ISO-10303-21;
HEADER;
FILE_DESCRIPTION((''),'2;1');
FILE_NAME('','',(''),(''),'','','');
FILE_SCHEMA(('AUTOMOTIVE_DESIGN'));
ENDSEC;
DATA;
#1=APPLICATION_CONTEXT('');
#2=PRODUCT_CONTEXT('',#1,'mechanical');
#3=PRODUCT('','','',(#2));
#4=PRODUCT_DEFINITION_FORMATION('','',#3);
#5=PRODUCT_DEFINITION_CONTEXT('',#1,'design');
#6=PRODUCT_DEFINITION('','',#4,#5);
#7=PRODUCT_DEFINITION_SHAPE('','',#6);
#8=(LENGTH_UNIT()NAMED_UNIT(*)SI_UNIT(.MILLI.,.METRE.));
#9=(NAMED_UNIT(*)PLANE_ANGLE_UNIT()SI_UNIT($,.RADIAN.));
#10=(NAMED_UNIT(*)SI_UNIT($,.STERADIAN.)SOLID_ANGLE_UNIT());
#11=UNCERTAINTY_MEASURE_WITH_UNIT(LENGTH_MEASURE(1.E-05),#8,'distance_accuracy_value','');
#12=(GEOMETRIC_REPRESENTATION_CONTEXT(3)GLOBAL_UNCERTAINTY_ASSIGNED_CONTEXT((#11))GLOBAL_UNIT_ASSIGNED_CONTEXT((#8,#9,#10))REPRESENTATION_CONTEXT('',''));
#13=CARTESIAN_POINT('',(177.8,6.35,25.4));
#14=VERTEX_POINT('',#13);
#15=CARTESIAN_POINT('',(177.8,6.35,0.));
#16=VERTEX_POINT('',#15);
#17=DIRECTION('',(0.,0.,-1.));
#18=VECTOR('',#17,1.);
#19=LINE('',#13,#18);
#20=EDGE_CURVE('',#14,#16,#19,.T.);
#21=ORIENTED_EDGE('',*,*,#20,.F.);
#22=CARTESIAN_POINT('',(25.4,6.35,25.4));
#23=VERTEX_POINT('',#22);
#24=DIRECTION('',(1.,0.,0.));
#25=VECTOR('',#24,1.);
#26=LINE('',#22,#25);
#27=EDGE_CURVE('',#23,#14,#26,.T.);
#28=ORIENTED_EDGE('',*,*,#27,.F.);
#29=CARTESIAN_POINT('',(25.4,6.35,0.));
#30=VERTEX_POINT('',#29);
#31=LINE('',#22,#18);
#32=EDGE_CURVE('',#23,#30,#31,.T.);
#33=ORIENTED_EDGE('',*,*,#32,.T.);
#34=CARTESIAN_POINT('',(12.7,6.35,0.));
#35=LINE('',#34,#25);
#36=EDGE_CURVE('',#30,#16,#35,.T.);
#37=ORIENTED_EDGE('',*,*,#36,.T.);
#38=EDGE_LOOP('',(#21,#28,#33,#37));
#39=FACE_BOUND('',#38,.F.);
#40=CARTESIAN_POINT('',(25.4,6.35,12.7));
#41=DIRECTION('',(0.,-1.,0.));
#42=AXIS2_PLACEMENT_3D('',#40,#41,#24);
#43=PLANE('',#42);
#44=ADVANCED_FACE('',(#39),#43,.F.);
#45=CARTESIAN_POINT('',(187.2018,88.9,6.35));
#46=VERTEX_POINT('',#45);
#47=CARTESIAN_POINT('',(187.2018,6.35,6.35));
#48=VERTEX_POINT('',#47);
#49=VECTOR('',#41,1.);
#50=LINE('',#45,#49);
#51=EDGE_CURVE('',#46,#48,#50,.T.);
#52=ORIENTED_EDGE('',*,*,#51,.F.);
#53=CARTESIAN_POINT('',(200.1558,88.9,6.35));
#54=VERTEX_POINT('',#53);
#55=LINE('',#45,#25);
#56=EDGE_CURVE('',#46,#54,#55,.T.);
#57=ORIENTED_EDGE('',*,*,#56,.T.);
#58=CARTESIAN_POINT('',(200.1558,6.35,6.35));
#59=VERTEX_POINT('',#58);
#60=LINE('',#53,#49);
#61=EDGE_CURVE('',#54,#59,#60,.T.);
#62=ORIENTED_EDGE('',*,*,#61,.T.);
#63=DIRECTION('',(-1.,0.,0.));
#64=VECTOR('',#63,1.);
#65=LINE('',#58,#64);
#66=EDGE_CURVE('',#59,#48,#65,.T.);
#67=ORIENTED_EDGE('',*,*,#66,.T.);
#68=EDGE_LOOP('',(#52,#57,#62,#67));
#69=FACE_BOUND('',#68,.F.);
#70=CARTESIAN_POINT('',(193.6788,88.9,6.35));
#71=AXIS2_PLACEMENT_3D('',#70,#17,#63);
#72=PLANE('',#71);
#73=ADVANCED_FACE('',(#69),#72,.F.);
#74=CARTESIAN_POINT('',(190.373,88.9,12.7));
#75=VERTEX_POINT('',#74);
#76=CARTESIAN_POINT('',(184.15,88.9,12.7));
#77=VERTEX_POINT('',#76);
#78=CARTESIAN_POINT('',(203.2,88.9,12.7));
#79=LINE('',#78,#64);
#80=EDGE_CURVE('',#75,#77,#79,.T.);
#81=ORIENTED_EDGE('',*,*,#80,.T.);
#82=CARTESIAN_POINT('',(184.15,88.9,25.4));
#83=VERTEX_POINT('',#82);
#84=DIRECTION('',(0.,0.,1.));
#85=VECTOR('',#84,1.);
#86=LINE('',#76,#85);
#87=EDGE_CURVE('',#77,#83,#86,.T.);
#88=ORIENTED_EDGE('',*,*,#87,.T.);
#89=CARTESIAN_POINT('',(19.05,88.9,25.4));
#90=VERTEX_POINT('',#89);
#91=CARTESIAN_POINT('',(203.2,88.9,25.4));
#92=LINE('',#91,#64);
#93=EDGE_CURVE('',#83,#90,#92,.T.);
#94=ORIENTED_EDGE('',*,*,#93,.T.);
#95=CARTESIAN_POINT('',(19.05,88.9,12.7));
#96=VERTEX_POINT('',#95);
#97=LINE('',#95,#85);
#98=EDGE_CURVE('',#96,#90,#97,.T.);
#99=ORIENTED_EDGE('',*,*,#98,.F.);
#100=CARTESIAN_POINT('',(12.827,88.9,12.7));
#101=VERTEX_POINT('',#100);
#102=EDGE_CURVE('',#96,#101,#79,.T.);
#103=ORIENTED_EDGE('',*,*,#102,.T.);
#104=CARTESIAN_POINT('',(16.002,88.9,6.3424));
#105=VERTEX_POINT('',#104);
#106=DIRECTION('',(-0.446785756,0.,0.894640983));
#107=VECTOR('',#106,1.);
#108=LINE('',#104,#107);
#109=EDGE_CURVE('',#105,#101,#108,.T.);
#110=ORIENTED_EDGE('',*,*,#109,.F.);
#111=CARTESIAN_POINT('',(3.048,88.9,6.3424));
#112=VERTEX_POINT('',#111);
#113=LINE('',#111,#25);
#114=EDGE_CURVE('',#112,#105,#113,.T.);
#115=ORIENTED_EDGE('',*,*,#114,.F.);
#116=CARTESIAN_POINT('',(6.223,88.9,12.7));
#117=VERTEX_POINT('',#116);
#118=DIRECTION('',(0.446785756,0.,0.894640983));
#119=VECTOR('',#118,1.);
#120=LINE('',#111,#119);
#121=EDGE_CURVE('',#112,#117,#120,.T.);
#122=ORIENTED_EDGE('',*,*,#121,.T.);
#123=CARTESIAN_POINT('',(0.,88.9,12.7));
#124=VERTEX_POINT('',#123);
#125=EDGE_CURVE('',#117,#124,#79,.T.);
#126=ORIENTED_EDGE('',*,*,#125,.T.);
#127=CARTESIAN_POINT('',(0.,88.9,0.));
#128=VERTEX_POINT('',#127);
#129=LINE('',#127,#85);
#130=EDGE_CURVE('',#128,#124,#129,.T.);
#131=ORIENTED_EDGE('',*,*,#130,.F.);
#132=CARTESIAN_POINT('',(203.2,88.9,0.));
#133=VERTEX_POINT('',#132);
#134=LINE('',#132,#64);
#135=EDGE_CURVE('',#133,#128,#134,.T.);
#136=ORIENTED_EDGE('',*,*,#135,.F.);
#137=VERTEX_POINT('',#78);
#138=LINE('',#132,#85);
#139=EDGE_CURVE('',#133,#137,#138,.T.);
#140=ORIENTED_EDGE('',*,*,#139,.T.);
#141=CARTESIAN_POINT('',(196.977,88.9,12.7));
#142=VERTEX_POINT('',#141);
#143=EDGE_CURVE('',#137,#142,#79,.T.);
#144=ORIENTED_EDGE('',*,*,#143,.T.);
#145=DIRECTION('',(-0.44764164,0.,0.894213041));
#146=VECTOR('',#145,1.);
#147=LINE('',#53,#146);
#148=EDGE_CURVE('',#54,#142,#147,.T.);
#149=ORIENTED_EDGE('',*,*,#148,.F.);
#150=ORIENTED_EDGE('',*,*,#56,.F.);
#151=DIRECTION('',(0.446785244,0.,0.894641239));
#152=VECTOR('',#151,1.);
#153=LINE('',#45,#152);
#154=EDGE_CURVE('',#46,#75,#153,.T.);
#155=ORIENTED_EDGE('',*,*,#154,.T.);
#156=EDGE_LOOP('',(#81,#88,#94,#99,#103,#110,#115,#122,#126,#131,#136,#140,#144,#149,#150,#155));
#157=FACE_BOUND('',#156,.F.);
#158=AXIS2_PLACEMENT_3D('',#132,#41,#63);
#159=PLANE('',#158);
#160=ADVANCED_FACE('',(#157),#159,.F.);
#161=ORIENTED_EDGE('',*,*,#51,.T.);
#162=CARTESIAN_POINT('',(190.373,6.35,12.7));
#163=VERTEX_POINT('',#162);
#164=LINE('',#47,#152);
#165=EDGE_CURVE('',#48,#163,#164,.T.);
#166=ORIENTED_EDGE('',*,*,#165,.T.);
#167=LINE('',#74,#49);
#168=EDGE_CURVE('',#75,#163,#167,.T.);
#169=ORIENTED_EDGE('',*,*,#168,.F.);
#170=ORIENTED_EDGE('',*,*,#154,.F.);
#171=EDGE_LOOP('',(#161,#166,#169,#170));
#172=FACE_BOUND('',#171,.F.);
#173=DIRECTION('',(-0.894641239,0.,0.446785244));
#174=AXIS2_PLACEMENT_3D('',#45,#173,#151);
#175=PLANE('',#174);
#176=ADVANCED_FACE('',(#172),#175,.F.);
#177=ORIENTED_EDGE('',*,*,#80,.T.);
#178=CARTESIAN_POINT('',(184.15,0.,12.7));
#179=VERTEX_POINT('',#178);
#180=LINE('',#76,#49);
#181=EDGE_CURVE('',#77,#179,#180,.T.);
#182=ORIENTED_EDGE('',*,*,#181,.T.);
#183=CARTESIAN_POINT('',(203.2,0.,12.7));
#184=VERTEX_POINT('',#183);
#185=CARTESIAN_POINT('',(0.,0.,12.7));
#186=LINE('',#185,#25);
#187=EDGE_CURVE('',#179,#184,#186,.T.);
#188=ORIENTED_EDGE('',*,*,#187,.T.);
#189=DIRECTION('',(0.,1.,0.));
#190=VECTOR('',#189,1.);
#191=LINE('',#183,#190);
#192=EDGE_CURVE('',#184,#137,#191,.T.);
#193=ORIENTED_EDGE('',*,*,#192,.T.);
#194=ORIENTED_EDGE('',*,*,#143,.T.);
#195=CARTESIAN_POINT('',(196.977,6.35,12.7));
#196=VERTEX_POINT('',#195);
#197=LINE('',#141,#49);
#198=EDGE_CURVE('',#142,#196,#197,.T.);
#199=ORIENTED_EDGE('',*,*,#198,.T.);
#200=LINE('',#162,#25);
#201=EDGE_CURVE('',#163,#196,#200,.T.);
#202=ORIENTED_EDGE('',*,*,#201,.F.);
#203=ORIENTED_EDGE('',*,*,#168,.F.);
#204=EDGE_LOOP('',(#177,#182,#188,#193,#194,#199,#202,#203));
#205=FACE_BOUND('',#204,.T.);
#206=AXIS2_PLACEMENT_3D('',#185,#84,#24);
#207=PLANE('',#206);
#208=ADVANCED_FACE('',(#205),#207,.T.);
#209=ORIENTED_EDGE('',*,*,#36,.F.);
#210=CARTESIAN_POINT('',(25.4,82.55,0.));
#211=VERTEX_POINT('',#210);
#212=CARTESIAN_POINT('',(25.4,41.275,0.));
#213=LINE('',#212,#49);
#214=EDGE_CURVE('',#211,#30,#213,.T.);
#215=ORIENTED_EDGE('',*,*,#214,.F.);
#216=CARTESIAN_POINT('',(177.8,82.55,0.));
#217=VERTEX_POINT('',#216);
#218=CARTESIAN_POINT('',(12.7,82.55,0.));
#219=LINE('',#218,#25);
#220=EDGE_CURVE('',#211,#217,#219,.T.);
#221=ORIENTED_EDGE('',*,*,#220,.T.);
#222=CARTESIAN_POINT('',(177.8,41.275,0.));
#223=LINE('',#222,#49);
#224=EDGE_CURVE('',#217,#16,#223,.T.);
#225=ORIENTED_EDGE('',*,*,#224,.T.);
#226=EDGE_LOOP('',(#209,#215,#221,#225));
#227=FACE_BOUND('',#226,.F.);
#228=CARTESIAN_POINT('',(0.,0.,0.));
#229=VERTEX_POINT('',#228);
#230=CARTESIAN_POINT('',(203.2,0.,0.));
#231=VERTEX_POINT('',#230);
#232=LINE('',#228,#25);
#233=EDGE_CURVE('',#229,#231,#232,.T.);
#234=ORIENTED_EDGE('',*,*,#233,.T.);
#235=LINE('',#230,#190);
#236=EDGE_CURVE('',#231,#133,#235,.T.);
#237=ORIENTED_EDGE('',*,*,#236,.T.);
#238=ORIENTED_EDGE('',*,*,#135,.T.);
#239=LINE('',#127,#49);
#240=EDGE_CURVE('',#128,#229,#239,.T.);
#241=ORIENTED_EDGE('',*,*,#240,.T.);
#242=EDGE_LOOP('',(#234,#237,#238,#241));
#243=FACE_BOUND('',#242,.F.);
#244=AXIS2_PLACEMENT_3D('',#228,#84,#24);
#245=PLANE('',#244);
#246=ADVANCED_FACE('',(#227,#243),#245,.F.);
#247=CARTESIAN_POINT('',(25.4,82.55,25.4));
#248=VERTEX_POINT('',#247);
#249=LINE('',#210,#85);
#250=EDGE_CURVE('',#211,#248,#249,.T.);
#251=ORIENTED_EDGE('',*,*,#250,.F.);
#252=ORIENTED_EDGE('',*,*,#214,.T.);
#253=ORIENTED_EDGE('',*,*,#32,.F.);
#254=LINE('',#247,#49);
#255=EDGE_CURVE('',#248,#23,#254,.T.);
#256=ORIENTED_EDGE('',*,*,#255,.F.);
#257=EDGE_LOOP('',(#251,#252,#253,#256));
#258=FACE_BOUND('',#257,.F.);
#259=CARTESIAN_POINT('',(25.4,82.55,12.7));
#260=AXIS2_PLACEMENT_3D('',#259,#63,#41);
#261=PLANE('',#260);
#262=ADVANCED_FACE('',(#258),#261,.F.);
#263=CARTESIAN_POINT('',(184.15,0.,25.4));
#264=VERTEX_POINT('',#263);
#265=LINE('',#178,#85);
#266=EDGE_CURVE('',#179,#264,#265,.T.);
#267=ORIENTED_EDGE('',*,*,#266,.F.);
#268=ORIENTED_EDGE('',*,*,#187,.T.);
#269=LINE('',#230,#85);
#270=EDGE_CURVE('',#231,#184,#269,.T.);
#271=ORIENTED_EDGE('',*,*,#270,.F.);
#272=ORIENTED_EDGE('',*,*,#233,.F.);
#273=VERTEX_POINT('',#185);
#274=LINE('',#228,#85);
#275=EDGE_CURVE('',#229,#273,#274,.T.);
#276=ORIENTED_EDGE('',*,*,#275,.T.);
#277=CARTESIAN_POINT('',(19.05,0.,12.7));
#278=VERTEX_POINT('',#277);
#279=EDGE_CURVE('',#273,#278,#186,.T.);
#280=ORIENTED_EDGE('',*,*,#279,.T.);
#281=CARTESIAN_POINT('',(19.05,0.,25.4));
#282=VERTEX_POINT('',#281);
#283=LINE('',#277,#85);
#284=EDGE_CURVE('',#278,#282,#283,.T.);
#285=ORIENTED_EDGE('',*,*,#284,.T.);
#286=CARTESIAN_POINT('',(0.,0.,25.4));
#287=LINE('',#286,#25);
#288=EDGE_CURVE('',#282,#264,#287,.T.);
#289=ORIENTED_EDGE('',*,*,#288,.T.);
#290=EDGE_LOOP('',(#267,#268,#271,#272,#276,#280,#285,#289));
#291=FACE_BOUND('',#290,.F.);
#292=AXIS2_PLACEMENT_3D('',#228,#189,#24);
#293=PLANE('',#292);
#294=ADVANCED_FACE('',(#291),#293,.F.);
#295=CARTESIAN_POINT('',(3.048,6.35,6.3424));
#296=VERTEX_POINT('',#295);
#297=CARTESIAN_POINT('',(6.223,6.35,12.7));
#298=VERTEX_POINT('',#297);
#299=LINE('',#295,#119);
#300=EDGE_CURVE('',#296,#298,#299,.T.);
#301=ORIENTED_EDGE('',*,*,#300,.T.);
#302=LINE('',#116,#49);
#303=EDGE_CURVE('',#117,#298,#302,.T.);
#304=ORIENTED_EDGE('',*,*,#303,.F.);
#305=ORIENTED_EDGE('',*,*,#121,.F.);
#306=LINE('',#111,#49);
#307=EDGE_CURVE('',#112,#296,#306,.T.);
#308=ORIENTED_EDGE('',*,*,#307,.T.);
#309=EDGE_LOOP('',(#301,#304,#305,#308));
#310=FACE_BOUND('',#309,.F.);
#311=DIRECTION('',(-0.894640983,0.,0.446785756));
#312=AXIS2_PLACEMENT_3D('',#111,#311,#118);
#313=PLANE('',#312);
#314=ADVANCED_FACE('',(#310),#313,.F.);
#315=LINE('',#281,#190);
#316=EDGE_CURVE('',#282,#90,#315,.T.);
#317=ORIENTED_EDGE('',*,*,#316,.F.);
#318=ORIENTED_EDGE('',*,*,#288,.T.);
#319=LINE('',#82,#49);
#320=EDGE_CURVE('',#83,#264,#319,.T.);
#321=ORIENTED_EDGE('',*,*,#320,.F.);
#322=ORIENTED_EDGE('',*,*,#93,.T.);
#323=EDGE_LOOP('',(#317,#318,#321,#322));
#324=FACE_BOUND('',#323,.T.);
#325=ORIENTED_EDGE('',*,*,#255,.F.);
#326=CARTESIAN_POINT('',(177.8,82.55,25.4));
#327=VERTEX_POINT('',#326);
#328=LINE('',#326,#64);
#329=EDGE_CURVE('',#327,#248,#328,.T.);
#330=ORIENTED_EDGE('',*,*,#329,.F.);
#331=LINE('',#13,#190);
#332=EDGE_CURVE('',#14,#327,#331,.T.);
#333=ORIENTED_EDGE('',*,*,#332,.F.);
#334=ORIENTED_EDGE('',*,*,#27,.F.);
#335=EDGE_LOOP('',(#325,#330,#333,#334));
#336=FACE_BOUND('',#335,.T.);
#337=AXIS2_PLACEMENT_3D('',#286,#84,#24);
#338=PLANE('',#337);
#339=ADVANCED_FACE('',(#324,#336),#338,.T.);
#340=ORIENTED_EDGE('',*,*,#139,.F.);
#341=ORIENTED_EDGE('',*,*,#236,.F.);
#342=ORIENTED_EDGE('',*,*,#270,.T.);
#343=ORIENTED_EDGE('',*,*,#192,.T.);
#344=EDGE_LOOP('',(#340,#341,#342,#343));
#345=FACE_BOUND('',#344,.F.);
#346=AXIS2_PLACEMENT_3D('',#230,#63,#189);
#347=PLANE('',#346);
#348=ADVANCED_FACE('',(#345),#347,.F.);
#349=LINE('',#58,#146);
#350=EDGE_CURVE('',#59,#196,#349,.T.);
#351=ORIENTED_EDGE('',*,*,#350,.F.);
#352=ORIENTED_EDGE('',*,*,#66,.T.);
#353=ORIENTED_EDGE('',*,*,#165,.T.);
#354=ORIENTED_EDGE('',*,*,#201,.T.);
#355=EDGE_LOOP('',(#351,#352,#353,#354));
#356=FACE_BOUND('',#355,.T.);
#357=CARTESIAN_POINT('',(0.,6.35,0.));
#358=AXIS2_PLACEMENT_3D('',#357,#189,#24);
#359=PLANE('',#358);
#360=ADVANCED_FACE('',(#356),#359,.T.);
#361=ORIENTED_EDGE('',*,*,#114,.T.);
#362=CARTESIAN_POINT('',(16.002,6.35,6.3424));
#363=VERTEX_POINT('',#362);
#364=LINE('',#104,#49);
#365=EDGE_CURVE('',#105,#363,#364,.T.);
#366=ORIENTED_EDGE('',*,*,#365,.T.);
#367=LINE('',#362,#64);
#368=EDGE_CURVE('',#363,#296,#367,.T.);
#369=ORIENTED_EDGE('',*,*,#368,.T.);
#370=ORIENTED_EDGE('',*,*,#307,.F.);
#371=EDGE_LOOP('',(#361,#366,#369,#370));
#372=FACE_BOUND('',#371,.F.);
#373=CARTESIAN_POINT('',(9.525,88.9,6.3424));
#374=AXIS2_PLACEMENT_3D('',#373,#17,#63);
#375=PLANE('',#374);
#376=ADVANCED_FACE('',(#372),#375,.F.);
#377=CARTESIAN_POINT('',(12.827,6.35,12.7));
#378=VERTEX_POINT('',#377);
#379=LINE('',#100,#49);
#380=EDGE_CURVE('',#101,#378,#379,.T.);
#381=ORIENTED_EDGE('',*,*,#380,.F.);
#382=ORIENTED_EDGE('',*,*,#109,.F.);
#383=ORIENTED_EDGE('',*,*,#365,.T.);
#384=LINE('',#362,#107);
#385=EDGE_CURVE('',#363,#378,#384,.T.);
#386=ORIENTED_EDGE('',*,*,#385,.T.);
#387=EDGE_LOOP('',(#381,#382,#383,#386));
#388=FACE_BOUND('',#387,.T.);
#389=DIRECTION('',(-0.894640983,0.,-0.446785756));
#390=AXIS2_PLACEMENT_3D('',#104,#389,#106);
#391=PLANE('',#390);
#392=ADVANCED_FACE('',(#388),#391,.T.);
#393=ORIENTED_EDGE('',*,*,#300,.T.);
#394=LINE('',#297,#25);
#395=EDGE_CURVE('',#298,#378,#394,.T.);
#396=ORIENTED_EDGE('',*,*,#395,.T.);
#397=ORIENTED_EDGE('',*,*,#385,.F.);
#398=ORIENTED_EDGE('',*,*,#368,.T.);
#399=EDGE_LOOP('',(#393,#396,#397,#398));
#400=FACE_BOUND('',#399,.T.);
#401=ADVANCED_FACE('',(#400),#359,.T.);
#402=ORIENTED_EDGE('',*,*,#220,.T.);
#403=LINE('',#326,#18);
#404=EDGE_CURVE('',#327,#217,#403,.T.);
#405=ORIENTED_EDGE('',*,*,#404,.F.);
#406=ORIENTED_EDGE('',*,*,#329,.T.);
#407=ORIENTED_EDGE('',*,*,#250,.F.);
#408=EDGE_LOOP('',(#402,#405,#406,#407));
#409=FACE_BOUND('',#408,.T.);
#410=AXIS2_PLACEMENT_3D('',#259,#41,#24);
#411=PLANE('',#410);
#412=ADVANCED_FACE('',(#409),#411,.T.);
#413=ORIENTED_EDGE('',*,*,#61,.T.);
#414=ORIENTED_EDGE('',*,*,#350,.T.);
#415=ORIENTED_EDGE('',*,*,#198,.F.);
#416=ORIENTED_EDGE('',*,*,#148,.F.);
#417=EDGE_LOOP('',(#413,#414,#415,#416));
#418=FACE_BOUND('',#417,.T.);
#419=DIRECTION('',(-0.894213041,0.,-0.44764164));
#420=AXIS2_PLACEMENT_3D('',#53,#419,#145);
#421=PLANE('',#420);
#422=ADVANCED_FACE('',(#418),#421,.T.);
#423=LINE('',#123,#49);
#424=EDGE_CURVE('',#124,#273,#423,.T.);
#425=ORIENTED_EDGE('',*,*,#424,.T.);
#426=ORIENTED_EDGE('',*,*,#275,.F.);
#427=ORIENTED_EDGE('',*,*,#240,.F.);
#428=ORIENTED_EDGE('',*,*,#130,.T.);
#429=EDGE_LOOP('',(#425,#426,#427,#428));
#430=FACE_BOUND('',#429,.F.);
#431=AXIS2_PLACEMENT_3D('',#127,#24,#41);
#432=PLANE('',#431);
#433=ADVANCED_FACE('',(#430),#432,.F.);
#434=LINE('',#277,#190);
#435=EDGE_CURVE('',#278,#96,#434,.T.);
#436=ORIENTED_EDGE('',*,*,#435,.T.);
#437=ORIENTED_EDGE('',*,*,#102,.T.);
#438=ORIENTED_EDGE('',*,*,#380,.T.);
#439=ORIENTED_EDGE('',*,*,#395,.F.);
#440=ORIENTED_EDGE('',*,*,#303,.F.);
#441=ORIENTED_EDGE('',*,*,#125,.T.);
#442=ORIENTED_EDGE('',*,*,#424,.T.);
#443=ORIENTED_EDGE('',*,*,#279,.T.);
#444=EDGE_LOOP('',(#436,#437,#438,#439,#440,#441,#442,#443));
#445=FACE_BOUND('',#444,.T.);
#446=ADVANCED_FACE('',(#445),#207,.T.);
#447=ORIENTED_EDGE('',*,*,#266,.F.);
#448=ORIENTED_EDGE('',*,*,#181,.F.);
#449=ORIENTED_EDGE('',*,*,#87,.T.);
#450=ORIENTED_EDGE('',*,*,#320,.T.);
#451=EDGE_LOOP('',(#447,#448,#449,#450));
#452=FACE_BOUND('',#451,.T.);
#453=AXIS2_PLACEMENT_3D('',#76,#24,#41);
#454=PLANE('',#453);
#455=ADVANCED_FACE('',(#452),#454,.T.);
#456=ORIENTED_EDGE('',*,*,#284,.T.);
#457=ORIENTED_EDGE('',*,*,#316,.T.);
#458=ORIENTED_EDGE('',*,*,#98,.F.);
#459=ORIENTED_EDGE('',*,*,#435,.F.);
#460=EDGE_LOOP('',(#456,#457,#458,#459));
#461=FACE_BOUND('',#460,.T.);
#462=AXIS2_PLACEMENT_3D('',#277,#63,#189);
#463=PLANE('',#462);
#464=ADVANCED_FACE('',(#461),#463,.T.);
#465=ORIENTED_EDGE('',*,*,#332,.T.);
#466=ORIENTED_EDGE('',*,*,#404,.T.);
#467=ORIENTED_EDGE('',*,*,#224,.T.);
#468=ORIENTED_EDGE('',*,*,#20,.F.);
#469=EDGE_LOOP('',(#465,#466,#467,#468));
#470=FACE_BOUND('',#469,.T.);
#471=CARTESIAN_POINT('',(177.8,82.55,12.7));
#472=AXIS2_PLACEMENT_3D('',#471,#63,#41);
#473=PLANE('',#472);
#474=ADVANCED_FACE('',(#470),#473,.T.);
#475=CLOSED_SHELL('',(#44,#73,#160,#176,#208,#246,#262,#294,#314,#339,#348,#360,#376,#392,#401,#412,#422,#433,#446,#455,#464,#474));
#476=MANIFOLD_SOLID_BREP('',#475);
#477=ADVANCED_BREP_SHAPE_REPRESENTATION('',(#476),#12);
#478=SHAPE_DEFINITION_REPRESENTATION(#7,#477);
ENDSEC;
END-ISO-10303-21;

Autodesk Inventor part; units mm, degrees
ref_plane "YZ Plane" through (0, 0, 0) normal (1, 0, 0) x (0, 1, 0)
ref_plane "XZ Plane" through (0, 0, 0) normal (0, 1, 0) x (-1, 0, 0)
ref_plane "XY Plane" through (0, 0, 0) normal (0, 0, 1) x (1, 0, 0)
sketch "Sketch2" plane through (0, 0, 0) normal (0, 0, 1) x (1, 0, 0)
  line L0 (0, 0) -> (203.2, 0)
  line L1 (203.2, 0) -> (203.2, 88.9)
  line L2 (203.2, 88.9) -> (0, 88.9)
  line L3 (0, 88.9) -> (0, 0)
  dimension "d6" = 203.2
  dimension "d7" = 88.9
extrude "Extrusion2" add sketch "Sketch2" along normal blind 12.7
sketch "Sketch3" plane through (0, 0, 12.7) normal (0, 0, 1) x (1, 0, 0)
  line L0 (0, 0) -> (203.2, 0) projected
  line L1 (203.2, 0) -> (203.2, 88.9) projected
  line L2 (203.2, 88.9) -> (0, 88.9) projected
  line L3 (0, 88.9) -> (0, 0) projected
  line L4 (203.2, 88.9) -> (0, 88.9) construction
  line L5 (0, 0) -> (203.2, 0) construction
  line L6 (0, 88.9) -> (203.2, 0) construction
  line L7 (203.2, 0) -> (203.2, 88.9) construction
  line L8 (203.2, 88.9) -> (0, 0) construction
  line L9 (25.4, 6.35) -> (177.8, 6.35)
  line L10 (177.8, 6.35) -> (177.8, 82.55)
  line L11 (177.8, 82.55) -> (25.4, 82.55)
  line L12 (25.4, 82.55) -> (25.4, 6.35)
  line L13 (25.4, 6.35) -> (177.8, 82.55) construction
  line L14 (177.8, 6.35) -> (25.4, 82.55) construction
  line L15 (19.05, 88.9) -> (184.15, 88.9)
  line L16 (184.15, 88.9) -> (184.15, 0)
  line L17 (184.15, 0) -> (19.05, 0)
  line L18 (19.05, 0) -> (19.05, 88.9)
  point P0 (101.6, 44.45)
  dimension "d10" = 152.4
  dimension "d11" = 76.2
  dimension "d12" = 6.35
extrude "Extrusion3" add sketch "Sketch3" along normal blind 12.7 contours L18 L2 L16 L0
sketch "Sketch5" plane through (0, 88.9, 0) normal (0, 1, 0) x (1, 0, 0)
  line L0 (203.2, 0) -> (0, 0) projected
  line L1 (0, 0) -> (0, -12.7) projected
  line L2 (19.05, -12.7) -> (0, -12.7) projected
  line L3 (19.05, -12.7) -> (19.05, -25.4) projected
  line L4 (184.15, -25.4) -> (19.05, -25.4) projected
  line L5 (184.15, -12.7) -> (184.15, -25.4) projected
  line L6 (203.2, -12.7) -> (184.15, -12.7) projected
  line L7 (203.2, 0) -> (203.2, -12.7) projected
  line L8 (0, 0) -> (203.2, 0) construction
  line L9 (0, -12.7) -> (19.05, -12.7)
  line L10 (19.05, -12.7) -> (19.05, 0) construction
  line L11 (19.05, 0) -> (0, 0) construction
  line L12 (0, 0) -> (0, -12.7) construction
  line L13 (19.05, -12.7) -> (0, -12.7) construction
  line L14 (9.525, -12.7) -> (9.525, -6.3424) construction
  line L15 (9.525, -12.7) -> (12.827, -12.7) construction
  line L16 (9.525, -12.7) -> (6.223, -12.7)
  line L17 (9.525, -6.3424) -> (16.002, -6.3424)
  line L18 (9.525, -6.3424) -> (3.048, -6.3424)
  line L19 (3.048, -6.3424) -> (6.223, -12.7)
  line L20 (6.223, -12.7) -> (-12.7, -12.7)
  line L21 (193.6826, 0) -> (193.675, -12.7) construction
  line L22 (193.675, -12.7) -> (196.977, -12.7)
  line L23 (184.15, -12.7) -> (203.2, -12.7) projected
  line L24 (193.675, -12.7) -> (190.373, -12.7)
  line L25 (193.675, -12.7) -> (193.6788, -6.35) construction
  line L26 (9.525, -12.7) -> (9.525, -6.35) construction
  line L27 (16.002, -6.3424) -> (12.827, -12.7)
  line L28 (196.977, -12.7) -> (190.373, -12.7)
  line L29 (3.048, -6.3424) -> (6.223, -12.7)
  line L30 (6.223, -12.7) -> (12.827, -12.7)
  line L31 (12.827, -12.7) -> (16.002, -6.3424)
  line L32 (16.002, -6.3424) -> (3.048, -6.3424)
  line L33 (193.6788, -6.35) -> (187.2018, -6.35)
  line L34 (193.6788, -6.35) -> (200.1558, -6.35)
  line L35 (187.2018, -6.35) -> (190.373, -12.7)
  line L36 (200.1558, -6.35) -> (196.977, -12.7)
  dimension "d15" = 3.302
  dimension "d16" = 3.302
  dimension "d17" = 6.477
  dimension "d18" = 6.477
  dimension "d19" = 3.302
  dimension "d20" = 3.302
  dimension "d25" = 6.35
  dimension "d26" = 6.35
  dimension "d31" = 6.477
  dimension "d32" = 6.477
extrude "Extrusion5" cut sketch "Sketch5" against normal blind 82.55 contours L6 L35 L33 L34 L36 | L19 L18 L17 L27 L2
sketch "Sketch6" plane through (0, 0, 12.7) normal (0, 0, 1) x (1, 0, 0)
  line L0 (25.4, 82.55) -> (25.4, 6.35) projected
  line L1 (25.4, 6.35) -> (177.8, 6.35) projected
  line L2 (25.4, 82.55) -> (177.8, 82.55)
  line L3 (177.8, 82.55) -> (177.8, 6.35)
  line L4 (177.8, 6.35) -> (25.4, 6.35)
  line L5 (25.4, 6.35) -> (25.4, 82.55)
  point P0 (0, 0)
extrude "Extrusion6" cut sketch "Sketch6" against normal blind 82.55
properties part number "doveTailSide"
